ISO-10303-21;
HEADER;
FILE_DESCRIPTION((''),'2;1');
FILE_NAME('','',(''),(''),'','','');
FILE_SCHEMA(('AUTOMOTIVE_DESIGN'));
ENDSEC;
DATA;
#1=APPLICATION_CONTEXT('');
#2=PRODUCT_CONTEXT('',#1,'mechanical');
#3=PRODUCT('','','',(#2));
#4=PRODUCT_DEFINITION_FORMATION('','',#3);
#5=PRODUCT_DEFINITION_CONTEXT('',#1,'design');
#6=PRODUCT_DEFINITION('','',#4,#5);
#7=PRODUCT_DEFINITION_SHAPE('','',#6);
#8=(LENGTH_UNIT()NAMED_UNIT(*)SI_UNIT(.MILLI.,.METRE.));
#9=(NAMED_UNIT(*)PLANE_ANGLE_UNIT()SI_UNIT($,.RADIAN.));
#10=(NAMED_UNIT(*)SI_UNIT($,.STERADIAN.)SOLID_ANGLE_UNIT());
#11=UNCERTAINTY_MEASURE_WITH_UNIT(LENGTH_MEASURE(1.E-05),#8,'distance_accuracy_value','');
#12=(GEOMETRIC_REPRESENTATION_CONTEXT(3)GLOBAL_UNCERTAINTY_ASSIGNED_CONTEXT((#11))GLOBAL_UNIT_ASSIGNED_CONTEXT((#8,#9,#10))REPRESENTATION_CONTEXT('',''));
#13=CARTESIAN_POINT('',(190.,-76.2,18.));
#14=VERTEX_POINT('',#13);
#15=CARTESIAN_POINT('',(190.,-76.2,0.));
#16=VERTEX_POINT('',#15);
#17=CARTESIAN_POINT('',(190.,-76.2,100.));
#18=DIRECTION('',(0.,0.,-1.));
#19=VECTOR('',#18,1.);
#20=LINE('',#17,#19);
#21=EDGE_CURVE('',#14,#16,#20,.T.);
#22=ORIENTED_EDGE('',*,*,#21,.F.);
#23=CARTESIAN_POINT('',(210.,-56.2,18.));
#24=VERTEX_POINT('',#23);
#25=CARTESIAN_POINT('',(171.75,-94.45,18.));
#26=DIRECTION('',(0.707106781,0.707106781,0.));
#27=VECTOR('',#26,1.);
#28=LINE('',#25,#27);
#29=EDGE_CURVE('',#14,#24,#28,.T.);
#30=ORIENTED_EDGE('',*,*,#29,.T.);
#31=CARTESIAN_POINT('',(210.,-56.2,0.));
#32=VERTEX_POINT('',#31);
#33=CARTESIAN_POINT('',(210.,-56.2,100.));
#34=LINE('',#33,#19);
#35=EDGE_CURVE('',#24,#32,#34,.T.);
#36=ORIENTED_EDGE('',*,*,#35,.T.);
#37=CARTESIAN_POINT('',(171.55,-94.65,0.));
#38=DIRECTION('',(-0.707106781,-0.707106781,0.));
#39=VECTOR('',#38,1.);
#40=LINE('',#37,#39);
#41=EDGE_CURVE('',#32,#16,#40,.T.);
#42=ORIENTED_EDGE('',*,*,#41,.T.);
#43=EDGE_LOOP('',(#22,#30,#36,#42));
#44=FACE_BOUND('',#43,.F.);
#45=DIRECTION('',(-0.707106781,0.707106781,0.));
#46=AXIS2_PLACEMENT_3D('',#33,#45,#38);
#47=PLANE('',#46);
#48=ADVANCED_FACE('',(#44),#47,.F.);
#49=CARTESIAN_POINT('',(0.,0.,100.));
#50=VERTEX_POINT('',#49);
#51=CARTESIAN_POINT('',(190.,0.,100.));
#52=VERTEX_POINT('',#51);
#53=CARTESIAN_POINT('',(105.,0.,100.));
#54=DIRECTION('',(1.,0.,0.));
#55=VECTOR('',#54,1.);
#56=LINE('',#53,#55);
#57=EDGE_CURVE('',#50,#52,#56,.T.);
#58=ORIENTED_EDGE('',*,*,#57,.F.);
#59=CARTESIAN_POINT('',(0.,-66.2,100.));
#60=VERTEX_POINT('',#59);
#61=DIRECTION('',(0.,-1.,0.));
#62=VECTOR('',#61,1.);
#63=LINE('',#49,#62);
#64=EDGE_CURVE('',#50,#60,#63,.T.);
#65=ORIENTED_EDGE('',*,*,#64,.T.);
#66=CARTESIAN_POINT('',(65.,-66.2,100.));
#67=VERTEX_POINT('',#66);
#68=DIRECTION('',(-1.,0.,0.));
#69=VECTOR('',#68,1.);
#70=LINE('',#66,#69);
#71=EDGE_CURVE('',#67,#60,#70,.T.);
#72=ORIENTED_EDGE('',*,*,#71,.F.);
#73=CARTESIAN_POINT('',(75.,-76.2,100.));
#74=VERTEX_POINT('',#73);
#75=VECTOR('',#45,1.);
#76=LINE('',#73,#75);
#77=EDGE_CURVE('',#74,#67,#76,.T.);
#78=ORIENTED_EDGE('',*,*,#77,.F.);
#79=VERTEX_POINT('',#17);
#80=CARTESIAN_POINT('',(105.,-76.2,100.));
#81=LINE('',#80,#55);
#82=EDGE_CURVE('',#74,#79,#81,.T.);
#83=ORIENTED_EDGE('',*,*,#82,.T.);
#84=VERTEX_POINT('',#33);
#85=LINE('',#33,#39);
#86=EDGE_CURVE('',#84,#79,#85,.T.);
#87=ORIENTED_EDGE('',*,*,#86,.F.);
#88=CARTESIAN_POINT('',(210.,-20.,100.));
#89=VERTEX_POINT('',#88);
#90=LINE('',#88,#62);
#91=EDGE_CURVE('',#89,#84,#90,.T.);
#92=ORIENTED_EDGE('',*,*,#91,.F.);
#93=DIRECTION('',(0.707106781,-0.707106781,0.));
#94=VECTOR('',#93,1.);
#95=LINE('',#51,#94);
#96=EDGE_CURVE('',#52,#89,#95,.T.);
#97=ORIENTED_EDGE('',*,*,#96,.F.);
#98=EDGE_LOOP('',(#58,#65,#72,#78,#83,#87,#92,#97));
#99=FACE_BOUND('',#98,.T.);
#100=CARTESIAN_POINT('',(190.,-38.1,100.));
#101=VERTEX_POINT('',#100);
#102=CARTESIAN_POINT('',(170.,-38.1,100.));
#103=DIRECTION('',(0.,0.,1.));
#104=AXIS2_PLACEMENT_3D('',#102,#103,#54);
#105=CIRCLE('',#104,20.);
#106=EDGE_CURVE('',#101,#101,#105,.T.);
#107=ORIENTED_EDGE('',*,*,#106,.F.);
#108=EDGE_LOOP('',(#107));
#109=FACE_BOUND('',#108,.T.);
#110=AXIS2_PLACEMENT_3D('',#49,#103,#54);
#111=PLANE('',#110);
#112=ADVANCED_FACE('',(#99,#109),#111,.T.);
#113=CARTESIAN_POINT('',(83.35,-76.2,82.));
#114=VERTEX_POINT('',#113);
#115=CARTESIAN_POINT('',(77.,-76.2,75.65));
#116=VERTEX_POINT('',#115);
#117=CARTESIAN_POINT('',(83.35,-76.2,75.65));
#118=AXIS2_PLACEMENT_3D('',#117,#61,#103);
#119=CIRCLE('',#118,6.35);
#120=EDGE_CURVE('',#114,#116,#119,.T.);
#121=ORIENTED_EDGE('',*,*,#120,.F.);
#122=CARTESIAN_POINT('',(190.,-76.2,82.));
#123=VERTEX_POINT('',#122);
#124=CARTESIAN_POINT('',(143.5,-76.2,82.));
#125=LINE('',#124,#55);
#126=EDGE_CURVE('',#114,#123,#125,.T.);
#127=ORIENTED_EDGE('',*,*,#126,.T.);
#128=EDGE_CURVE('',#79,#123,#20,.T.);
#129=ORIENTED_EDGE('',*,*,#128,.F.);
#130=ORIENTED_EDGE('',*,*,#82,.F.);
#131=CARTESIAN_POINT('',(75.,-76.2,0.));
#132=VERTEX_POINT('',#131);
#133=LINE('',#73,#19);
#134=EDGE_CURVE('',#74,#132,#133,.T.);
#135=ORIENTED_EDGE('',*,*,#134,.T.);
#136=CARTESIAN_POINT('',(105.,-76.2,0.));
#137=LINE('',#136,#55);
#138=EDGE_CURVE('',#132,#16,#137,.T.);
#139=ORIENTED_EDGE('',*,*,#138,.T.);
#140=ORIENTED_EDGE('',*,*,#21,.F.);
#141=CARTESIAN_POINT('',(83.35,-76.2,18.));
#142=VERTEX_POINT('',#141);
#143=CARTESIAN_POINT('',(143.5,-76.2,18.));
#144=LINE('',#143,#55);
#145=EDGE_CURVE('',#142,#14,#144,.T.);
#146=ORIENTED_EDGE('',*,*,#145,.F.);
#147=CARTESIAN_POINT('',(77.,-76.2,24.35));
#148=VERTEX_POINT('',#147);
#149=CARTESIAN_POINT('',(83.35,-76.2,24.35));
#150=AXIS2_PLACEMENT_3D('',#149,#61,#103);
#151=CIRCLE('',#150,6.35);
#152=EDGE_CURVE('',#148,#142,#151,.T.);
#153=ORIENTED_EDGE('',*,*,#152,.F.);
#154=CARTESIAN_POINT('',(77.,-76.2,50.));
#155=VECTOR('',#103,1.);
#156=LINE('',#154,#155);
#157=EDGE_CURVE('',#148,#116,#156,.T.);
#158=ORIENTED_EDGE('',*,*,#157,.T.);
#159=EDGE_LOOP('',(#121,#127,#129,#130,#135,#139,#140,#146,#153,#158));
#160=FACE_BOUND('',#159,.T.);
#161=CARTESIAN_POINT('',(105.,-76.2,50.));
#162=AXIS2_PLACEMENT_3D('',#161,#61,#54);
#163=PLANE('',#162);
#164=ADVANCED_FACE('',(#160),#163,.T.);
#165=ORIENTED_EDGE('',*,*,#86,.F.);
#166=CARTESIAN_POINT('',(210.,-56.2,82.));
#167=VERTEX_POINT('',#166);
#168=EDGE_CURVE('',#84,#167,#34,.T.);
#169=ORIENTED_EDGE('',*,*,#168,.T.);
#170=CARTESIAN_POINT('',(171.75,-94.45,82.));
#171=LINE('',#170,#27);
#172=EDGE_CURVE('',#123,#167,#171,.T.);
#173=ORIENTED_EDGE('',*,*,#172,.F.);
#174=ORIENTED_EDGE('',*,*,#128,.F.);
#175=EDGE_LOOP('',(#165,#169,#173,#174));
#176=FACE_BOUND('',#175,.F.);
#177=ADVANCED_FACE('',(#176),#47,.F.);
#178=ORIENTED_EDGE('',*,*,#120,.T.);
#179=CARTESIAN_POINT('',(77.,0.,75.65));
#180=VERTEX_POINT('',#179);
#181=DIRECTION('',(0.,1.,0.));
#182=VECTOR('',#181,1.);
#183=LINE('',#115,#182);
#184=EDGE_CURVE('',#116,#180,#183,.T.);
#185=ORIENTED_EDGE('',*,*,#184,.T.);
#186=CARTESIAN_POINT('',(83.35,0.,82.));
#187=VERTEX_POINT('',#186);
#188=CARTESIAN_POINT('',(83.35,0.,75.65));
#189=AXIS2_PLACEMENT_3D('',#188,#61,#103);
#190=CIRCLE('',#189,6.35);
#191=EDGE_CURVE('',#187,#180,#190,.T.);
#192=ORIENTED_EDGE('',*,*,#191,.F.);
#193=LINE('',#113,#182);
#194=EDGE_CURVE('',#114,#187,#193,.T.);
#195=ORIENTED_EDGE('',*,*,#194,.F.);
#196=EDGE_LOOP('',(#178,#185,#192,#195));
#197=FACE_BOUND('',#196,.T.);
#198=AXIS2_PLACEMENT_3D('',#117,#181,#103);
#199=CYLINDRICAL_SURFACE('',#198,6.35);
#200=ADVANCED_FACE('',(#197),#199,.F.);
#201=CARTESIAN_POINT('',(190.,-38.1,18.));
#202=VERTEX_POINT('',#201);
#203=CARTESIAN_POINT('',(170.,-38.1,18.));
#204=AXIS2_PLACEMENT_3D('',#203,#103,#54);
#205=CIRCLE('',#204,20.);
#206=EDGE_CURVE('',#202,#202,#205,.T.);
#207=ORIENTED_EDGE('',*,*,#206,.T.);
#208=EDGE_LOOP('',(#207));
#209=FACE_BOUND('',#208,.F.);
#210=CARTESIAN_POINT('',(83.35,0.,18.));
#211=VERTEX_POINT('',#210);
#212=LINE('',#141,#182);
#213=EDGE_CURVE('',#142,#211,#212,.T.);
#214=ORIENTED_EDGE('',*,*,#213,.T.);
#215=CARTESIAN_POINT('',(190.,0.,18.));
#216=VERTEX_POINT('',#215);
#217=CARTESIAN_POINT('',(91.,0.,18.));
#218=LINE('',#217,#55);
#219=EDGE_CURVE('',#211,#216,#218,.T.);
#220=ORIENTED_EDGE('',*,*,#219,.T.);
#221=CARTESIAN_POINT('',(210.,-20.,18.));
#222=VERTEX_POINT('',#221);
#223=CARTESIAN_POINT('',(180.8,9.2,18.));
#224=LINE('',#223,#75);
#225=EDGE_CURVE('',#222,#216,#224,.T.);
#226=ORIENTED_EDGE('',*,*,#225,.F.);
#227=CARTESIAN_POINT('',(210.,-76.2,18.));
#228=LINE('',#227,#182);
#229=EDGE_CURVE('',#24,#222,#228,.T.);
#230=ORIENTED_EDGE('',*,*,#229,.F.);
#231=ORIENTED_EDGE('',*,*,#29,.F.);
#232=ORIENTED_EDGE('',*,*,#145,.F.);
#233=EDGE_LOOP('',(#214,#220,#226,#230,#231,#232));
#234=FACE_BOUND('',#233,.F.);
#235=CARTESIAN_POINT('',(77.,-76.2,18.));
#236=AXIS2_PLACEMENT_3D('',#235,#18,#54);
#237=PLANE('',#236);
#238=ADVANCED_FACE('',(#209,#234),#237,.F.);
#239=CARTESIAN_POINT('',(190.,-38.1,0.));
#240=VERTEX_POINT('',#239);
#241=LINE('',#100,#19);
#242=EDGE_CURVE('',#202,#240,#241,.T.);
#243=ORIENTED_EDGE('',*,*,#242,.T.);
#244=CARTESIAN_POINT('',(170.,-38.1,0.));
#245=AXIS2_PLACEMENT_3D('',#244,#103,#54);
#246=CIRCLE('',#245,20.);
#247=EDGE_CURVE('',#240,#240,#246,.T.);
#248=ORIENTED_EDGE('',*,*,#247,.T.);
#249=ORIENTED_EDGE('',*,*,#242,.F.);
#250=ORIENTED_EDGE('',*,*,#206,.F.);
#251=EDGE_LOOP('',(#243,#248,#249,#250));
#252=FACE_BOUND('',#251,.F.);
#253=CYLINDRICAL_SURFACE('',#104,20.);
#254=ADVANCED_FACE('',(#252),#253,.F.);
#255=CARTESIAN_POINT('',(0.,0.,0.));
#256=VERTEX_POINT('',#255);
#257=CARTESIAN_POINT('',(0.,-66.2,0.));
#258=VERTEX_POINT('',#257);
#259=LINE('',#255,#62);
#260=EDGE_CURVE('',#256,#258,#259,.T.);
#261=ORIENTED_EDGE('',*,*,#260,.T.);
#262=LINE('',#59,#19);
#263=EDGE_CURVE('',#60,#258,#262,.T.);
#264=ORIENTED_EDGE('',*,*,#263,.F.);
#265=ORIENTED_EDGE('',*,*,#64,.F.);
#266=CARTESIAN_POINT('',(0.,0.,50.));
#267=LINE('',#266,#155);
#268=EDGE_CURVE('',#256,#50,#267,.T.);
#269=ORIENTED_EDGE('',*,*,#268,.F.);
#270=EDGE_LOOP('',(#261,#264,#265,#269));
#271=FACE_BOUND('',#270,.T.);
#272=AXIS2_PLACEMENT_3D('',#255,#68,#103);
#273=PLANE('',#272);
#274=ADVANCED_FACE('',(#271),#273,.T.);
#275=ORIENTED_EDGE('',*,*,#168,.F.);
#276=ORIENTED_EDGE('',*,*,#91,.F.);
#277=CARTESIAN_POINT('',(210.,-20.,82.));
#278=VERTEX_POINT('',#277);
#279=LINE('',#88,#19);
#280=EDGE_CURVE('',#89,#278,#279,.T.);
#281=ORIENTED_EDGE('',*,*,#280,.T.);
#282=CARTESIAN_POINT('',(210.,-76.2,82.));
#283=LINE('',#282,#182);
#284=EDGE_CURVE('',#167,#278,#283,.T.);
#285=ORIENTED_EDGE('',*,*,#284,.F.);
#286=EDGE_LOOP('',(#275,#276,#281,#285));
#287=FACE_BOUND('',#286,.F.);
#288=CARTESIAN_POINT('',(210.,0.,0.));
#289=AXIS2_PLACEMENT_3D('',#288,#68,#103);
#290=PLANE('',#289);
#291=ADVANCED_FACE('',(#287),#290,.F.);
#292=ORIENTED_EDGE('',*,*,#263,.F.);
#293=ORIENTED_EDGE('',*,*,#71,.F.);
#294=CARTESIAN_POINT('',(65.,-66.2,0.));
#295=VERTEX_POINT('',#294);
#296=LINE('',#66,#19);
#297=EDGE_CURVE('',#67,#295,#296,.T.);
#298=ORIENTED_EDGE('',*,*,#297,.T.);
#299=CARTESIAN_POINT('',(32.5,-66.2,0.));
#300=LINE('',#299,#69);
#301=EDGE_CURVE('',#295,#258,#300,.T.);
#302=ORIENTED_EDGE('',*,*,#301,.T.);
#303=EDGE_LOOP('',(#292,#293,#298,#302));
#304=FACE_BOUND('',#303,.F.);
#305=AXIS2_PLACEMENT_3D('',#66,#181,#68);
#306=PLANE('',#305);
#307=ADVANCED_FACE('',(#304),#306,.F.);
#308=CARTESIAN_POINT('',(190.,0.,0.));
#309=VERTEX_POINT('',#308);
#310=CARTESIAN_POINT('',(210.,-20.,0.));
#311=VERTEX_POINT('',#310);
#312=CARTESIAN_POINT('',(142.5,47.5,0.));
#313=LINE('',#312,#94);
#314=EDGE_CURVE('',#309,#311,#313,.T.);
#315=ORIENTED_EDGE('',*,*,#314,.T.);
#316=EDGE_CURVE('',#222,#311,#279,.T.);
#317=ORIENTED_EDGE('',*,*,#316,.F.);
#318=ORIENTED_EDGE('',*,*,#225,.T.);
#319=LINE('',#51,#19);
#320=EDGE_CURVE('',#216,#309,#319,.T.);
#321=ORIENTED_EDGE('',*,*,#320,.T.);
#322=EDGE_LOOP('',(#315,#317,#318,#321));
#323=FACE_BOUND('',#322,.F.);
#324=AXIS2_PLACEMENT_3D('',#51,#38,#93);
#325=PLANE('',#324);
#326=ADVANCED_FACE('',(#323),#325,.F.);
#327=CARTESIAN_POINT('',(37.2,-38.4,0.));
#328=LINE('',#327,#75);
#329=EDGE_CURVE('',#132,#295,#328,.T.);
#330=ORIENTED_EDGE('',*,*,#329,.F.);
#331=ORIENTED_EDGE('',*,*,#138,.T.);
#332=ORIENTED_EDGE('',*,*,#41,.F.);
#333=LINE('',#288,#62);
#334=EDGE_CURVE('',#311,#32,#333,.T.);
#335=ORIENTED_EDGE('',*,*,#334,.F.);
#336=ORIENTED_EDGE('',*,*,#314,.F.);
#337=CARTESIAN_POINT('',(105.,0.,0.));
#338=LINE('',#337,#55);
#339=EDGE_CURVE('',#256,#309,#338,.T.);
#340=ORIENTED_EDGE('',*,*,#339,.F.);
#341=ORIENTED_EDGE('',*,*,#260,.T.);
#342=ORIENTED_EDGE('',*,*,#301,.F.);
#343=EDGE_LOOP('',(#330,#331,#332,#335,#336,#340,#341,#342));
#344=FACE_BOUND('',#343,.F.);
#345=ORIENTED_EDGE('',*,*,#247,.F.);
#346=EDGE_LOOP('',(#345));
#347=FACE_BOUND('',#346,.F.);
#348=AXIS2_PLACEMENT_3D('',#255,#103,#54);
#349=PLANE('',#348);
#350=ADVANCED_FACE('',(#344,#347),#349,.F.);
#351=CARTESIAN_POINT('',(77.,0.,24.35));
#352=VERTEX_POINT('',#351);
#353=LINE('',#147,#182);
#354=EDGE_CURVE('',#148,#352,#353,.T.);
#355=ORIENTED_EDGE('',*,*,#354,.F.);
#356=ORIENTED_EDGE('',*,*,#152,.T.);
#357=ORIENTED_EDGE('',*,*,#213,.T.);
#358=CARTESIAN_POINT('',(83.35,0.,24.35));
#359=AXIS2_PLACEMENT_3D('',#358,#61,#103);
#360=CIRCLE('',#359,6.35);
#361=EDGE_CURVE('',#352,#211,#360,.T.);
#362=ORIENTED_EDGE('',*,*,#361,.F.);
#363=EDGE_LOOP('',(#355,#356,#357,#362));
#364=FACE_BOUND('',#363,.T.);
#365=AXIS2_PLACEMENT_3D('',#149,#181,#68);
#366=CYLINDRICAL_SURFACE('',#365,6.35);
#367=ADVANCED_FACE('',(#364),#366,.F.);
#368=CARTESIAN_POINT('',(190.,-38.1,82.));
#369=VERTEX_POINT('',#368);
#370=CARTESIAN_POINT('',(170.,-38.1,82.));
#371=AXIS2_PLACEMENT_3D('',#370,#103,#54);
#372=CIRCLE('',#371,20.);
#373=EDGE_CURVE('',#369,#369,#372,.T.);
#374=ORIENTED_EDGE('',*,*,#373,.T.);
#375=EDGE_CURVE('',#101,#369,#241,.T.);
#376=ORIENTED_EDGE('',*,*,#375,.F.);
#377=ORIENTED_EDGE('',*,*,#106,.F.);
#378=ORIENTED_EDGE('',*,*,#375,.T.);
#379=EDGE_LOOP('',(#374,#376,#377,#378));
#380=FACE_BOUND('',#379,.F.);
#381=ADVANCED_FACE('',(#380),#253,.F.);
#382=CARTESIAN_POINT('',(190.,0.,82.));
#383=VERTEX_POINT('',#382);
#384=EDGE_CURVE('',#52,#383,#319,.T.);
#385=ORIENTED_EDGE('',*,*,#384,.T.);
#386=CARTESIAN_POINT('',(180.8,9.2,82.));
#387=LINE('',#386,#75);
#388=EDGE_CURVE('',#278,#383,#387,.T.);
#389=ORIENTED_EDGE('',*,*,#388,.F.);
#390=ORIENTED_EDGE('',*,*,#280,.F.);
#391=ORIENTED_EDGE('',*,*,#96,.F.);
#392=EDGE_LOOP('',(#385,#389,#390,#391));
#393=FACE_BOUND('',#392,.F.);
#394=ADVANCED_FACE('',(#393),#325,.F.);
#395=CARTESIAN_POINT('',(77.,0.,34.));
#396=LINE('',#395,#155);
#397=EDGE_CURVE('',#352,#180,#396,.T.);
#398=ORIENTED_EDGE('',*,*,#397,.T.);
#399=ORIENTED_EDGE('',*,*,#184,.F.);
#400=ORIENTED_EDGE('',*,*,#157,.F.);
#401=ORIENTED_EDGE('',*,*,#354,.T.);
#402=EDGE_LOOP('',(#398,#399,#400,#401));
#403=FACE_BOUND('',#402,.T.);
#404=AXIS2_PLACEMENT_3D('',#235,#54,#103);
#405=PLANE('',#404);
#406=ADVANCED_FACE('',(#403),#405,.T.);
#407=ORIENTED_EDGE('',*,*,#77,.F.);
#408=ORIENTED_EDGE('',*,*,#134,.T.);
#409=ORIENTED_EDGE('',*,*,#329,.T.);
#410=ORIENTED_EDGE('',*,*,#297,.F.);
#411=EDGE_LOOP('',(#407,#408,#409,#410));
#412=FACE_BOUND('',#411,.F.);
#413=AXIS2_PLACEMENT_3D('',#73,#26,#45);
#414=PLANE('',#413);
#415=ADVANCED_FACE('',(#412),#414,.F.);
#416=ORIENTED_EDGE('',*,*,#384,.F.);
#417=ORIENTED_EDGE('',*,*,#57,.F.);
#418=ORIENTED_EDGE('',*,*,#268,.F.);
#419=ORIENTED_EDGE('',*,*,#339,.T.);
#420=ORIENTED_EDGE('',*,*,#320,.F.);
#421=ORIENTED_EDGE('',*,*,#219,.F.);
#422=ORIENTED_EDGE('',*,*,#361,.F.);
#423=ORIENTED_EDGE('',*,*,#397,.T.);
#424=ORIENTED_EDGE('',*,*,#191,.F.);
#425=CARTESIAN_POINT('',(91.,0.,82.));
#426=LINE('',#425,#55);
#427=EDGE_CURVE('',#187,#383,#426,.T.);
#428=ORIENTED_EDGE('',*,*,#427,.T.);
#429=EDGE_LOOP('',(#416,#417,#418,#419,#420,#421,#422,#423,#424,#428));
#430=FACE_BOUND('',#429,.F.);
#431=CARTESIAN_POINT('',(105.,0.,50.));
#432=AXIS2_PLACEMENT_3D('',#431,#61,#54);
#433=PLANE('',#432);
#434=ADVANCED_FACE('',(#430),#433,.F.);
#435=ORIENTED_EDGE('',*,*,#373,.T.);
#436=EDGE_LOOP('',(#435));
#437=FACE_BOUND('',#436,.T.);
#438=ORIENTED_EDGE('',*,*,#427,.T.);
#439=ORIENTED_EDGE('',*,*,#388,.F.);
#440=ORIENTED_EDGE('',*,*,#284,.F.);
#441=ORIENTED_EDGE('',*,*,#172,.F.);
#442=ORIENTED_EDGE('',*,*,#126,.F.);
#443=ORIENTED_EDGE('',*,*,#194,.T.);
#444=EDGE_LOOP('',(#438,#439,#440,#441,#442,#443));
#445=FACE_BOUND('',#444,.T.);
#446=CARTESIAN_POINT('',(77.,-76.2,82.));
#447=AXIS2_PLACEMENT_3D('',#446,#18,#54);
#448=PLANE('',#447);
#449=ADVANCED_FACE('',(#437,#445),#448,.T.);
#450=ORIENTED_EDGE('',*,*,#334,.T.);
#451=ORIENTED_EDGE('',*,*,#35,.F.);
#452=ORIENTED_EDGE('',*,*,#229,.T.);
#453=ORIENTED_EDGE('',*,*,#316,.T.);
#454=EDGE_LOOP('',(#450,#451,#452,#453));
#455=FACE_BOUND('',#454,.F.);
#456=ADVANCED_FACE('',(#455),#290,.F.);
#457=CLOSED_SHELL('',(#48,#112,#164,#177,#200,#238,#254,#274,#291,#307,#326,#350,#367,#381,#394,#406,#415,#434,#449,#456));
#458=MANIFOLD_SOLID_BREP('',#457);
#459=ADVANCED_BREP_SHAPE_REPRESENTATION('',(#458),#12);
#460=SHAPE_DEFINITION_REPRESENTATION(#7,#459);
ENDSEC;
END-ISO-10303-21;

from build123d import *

# Parameters (mm, degrees)
F0_W     = 210
F0_H     = 100
F1_DEPTH = 76.2
F2_W     = 133
F2_H     = 64
F3_DEPTH = 76.201
F4_R     = 6.35
F5_R     = 20
F6_DEPTH = 100.001
F8_DEPTH = 100.001


with BuildPart() as f1:
    # F0 (on Front) → F1 (new body)
    with BuildSketch(Plane.XZ):
        with Locations((105, 50)):
            Rectangle(F0_W, F0_H)
    extrude(amount=F1_DEPTH)

    # F2 (on face) → F3 (cut, through all)
    with BuildSketch(Plane.XZ.offset(76.2)):
        with Locations((143.5, 50)):
            Rectangle(F2_W, F2_H)
    extrude(amount=-F3_DEPTH, mode=Mode.SUBTRACT)

    # F4
    f4_edges = [f1.edges().sort_by_distance(p)[0] for p in [
        (77, -38.1, 82),
        (77, -38.1, 18),
    ]]
    fillet(f4_edges, radius=F4_R)

    # F5 (on face) → F6 (cut, through all)
    with BuildSketch(Plane.XY.offset(100)):
        Polygon((190, 16.513776), (190, 0), (210, -20), (210, -56.2), (190, -76.2), (190, -91.743216), (258.705469, -91.743216), (258.705469, 16.513776), align=None)
        with Locations((170, -38.1)):
            Circle(F5_R)
    extrude(amount=-F6_DEPTH, mode=Mode.SUBTRACT)

    # F7 (on face) → F8 (cut, through all)
    with BuildSketch(Plane.XY.offset(100)):
        Polygon((65, -66.2), (0, -66.2), (0, -76.2), (75, -76.2), align=None)
    extrude(amount=-F8_DEPTH, mode=Mode.SUBTRACT)


solid = f1.part
